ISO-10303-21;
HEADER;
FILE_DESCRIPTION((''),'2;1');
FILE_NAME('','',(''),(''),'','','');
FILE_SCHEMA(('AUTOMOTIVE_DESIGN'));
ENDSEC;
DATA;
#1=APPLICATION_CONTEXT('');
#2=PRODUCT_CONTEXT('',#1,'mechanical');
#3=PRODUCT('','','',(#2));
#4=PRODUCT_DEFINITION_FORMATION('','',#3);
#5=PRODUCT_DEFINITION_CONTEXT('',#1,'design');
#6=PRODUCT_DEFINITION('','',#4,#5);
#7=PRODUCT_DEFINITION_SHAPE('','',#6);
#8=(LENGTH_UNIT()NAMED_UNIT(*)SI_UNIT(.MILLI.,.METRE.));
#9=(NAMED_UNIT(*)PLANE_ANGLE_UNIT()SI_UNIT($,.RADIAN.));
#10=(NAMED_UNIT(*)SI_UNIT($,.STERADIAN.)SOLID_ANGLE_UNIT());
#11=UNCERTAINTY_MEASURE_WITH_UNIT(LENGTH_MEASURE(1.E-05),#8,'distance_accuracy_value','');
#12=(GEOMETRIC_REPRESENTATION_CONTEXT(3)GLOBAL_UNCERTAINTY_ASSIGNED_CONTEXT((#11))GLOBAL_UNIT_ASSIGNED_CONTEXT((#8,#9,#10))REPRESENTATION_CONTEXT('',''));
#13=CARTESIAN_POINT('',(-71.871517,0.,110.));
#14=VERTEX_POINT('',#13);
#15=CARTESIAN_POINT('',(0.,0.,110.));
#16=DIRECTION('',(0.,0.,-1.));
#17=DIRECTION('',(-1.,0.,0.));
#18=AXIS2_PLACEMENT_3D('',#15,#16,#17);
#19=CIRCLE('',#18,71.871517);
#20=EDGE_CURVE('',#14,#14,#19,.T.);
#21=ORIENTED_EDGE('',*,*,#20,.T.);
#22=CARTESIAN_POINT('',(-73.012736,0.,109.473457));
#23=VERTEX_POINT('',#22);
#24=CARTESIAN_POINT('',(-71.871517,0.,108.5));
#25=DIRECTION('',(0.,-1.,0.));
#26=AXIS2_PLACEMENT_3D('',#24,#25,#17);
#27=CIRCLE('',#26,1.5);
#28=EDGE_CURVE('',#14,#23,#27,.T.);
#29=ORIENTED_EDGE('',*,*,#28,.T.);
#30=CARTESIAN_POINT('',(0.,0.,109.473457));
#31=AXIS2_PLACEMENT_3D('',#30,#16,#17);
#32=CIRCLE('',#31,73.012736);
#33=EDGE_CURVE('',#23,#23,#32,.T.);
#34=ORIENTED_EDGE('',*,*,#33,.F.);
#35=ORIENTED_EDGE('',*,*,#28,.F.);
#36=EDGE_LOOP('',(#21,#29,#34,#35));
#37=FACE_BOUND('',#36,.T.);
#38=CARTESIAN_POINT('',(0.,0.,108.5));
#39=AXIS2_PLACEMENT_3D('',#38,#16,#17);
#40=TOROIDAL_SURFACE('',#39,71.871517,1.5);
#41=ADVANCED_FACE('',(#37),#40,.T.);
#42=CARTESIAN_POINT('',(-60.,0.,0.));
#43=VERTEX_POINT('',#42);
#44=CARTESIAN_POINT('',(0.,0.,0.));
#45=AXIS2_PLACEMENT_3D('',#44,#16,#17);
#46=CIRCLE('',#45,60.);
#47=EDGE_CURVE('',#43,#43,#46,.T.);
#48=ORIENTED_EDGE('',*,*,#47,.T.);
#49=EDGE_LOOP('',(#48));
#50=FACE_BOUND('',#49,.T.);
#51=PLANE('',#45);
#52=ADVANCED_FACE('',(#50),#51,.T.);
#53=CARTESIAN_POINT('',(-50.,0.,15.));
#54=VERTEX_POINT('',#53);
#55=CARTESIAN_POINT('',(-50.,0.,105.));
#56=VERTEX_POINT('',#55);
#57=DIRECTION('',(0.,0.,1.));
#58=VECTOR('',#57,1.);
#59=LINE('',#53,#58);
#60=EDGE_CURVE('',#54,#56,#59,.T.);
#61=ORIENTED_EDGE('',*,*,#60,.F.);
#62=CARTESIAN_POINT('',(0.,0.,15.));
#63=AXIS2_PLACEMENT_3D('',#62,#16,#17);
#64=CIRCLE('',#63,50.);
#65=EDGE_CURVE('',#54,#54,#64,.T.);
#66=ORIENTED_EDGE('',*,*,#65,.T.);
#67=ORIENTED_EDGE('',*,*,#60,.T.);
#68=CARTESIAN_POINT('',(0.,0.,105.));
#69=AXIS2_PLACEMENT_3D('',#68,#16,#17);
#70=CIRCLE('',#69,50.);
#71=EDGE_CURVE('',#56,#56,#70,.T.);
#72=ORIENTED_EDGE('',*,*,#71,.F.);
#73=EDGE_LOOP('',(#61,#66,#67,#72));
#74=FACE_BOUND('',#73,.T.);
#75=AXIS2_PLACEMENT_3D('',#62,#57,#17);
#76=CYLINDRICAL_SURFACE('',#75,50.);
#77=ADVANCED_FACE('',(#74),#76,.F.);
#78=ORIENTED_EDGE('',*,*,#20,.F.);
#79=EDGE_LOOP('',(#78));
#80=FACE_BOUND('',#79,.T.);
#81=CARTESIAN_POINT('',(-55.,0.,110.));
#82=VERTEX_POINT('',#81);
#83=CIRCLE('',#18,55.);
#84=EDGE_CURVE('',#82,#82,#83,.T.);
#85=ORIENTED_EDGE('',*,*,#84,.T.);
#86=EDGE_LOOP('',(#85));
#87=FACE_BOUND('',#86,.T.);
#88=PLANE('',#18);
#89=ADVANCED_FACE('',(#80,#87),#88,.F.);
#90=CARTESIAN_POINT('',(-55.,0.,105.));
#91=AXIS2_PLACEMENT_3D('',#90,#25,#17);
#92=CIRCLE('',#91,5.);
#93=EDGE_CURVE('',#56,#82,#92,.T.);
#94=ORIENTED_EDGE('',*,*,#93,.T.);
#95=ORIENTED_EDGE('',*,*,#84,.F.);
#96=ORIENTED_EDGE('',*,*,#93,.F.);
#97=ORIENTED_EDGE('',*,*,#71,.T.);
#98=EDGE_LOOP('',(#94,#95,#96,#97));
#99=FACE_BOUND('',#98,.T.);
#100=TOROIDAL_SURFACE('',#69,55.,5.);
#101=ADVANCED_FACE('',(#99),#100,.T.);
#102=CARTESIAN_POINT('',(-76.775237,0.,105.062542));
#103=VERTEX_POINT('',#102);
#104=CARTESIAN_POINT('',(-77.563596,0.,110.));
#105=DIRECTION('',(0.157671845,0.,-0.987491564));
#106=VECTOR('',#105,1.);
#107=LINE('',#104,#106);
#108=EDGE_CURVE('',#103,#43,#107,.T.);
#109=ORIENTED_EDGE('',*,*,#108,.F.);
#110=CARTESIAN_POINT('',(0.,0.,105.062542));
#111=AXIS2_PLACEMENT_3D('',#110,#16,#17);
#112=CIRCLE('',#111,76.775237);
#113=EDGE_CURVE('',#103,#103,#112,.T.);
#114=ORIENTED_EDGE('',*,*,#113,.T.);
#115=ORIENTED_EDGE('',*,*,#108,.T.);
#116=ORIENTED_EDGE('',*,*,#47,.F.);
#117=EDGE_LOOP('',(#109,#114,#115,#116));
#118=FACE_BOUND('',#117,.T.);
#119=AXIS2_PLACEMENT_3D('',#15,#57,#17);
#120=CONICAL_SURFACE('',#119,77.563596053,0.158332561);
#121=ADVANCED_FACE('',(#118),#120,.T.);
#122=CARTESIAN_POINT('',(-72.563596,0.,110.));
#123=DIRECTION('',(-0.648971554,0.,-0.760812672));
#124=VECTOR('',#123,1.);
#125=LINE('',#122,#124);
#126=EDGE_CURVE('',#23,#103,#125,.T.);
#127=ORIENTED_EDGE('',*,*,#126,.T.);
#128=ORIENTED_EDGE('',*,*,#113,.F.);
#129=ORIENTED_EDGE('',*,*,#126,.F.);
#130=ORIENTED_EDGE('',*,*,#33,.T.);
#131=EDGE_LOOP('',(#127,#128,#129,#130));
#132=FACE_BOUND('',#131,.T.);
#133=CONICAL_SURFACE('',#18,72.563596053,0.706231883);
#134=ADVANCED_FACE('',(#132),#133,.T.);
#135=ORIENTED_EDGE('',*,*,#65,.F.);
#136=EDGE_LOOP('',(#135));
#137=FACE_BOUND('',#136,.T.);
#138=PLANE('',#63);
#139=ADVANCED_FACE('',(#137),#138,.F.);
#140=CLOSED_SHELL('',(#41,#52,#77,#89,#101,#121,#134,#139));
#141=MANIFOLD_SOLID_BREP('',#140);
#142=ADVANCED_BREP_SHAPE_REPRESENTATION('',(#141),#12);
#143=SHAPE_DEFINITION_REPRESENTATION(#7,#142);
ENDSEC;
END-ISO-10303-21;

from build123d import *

# Parameters (mm, degrees)
F2_R    = 5
F3_SIZE = 5
F4_R    = 1.5


with BuildPart() as f1:
    # F0 (on Front) → F1 (revolve)
    with BuildSketch(Plane.XZ):
        Polygon((-60, 0), (0, 0), (0, 15), (-50, 15), (-50, 110), (-77.5635960527, 110), align=None)
    revolve(axis=Axis((0, 0, -4.634299256), (0, 0, -1)))

    # F2
    f2_edges = [f1.edges().sort_by_distance(p)[0] for p in [
        (50, 0, 110),
    ]]
    fillet(f2_edges, radius=F2_R)

    # F3
    f3_edges = [f1.edges().sort_by_distance(p)[0] for p in [
        (77.563596, 0, 110),
    ]]
    chamfer(f3_edges, length=F3_SIZE)

    # F4
    f4_edges = [f1.edges().sort_by_distance(p)[0] for p in [
        (72.563596, 0, 110),
    ]]
    fillet(f4_edges, radius=F4_R)


solid = f1.part
